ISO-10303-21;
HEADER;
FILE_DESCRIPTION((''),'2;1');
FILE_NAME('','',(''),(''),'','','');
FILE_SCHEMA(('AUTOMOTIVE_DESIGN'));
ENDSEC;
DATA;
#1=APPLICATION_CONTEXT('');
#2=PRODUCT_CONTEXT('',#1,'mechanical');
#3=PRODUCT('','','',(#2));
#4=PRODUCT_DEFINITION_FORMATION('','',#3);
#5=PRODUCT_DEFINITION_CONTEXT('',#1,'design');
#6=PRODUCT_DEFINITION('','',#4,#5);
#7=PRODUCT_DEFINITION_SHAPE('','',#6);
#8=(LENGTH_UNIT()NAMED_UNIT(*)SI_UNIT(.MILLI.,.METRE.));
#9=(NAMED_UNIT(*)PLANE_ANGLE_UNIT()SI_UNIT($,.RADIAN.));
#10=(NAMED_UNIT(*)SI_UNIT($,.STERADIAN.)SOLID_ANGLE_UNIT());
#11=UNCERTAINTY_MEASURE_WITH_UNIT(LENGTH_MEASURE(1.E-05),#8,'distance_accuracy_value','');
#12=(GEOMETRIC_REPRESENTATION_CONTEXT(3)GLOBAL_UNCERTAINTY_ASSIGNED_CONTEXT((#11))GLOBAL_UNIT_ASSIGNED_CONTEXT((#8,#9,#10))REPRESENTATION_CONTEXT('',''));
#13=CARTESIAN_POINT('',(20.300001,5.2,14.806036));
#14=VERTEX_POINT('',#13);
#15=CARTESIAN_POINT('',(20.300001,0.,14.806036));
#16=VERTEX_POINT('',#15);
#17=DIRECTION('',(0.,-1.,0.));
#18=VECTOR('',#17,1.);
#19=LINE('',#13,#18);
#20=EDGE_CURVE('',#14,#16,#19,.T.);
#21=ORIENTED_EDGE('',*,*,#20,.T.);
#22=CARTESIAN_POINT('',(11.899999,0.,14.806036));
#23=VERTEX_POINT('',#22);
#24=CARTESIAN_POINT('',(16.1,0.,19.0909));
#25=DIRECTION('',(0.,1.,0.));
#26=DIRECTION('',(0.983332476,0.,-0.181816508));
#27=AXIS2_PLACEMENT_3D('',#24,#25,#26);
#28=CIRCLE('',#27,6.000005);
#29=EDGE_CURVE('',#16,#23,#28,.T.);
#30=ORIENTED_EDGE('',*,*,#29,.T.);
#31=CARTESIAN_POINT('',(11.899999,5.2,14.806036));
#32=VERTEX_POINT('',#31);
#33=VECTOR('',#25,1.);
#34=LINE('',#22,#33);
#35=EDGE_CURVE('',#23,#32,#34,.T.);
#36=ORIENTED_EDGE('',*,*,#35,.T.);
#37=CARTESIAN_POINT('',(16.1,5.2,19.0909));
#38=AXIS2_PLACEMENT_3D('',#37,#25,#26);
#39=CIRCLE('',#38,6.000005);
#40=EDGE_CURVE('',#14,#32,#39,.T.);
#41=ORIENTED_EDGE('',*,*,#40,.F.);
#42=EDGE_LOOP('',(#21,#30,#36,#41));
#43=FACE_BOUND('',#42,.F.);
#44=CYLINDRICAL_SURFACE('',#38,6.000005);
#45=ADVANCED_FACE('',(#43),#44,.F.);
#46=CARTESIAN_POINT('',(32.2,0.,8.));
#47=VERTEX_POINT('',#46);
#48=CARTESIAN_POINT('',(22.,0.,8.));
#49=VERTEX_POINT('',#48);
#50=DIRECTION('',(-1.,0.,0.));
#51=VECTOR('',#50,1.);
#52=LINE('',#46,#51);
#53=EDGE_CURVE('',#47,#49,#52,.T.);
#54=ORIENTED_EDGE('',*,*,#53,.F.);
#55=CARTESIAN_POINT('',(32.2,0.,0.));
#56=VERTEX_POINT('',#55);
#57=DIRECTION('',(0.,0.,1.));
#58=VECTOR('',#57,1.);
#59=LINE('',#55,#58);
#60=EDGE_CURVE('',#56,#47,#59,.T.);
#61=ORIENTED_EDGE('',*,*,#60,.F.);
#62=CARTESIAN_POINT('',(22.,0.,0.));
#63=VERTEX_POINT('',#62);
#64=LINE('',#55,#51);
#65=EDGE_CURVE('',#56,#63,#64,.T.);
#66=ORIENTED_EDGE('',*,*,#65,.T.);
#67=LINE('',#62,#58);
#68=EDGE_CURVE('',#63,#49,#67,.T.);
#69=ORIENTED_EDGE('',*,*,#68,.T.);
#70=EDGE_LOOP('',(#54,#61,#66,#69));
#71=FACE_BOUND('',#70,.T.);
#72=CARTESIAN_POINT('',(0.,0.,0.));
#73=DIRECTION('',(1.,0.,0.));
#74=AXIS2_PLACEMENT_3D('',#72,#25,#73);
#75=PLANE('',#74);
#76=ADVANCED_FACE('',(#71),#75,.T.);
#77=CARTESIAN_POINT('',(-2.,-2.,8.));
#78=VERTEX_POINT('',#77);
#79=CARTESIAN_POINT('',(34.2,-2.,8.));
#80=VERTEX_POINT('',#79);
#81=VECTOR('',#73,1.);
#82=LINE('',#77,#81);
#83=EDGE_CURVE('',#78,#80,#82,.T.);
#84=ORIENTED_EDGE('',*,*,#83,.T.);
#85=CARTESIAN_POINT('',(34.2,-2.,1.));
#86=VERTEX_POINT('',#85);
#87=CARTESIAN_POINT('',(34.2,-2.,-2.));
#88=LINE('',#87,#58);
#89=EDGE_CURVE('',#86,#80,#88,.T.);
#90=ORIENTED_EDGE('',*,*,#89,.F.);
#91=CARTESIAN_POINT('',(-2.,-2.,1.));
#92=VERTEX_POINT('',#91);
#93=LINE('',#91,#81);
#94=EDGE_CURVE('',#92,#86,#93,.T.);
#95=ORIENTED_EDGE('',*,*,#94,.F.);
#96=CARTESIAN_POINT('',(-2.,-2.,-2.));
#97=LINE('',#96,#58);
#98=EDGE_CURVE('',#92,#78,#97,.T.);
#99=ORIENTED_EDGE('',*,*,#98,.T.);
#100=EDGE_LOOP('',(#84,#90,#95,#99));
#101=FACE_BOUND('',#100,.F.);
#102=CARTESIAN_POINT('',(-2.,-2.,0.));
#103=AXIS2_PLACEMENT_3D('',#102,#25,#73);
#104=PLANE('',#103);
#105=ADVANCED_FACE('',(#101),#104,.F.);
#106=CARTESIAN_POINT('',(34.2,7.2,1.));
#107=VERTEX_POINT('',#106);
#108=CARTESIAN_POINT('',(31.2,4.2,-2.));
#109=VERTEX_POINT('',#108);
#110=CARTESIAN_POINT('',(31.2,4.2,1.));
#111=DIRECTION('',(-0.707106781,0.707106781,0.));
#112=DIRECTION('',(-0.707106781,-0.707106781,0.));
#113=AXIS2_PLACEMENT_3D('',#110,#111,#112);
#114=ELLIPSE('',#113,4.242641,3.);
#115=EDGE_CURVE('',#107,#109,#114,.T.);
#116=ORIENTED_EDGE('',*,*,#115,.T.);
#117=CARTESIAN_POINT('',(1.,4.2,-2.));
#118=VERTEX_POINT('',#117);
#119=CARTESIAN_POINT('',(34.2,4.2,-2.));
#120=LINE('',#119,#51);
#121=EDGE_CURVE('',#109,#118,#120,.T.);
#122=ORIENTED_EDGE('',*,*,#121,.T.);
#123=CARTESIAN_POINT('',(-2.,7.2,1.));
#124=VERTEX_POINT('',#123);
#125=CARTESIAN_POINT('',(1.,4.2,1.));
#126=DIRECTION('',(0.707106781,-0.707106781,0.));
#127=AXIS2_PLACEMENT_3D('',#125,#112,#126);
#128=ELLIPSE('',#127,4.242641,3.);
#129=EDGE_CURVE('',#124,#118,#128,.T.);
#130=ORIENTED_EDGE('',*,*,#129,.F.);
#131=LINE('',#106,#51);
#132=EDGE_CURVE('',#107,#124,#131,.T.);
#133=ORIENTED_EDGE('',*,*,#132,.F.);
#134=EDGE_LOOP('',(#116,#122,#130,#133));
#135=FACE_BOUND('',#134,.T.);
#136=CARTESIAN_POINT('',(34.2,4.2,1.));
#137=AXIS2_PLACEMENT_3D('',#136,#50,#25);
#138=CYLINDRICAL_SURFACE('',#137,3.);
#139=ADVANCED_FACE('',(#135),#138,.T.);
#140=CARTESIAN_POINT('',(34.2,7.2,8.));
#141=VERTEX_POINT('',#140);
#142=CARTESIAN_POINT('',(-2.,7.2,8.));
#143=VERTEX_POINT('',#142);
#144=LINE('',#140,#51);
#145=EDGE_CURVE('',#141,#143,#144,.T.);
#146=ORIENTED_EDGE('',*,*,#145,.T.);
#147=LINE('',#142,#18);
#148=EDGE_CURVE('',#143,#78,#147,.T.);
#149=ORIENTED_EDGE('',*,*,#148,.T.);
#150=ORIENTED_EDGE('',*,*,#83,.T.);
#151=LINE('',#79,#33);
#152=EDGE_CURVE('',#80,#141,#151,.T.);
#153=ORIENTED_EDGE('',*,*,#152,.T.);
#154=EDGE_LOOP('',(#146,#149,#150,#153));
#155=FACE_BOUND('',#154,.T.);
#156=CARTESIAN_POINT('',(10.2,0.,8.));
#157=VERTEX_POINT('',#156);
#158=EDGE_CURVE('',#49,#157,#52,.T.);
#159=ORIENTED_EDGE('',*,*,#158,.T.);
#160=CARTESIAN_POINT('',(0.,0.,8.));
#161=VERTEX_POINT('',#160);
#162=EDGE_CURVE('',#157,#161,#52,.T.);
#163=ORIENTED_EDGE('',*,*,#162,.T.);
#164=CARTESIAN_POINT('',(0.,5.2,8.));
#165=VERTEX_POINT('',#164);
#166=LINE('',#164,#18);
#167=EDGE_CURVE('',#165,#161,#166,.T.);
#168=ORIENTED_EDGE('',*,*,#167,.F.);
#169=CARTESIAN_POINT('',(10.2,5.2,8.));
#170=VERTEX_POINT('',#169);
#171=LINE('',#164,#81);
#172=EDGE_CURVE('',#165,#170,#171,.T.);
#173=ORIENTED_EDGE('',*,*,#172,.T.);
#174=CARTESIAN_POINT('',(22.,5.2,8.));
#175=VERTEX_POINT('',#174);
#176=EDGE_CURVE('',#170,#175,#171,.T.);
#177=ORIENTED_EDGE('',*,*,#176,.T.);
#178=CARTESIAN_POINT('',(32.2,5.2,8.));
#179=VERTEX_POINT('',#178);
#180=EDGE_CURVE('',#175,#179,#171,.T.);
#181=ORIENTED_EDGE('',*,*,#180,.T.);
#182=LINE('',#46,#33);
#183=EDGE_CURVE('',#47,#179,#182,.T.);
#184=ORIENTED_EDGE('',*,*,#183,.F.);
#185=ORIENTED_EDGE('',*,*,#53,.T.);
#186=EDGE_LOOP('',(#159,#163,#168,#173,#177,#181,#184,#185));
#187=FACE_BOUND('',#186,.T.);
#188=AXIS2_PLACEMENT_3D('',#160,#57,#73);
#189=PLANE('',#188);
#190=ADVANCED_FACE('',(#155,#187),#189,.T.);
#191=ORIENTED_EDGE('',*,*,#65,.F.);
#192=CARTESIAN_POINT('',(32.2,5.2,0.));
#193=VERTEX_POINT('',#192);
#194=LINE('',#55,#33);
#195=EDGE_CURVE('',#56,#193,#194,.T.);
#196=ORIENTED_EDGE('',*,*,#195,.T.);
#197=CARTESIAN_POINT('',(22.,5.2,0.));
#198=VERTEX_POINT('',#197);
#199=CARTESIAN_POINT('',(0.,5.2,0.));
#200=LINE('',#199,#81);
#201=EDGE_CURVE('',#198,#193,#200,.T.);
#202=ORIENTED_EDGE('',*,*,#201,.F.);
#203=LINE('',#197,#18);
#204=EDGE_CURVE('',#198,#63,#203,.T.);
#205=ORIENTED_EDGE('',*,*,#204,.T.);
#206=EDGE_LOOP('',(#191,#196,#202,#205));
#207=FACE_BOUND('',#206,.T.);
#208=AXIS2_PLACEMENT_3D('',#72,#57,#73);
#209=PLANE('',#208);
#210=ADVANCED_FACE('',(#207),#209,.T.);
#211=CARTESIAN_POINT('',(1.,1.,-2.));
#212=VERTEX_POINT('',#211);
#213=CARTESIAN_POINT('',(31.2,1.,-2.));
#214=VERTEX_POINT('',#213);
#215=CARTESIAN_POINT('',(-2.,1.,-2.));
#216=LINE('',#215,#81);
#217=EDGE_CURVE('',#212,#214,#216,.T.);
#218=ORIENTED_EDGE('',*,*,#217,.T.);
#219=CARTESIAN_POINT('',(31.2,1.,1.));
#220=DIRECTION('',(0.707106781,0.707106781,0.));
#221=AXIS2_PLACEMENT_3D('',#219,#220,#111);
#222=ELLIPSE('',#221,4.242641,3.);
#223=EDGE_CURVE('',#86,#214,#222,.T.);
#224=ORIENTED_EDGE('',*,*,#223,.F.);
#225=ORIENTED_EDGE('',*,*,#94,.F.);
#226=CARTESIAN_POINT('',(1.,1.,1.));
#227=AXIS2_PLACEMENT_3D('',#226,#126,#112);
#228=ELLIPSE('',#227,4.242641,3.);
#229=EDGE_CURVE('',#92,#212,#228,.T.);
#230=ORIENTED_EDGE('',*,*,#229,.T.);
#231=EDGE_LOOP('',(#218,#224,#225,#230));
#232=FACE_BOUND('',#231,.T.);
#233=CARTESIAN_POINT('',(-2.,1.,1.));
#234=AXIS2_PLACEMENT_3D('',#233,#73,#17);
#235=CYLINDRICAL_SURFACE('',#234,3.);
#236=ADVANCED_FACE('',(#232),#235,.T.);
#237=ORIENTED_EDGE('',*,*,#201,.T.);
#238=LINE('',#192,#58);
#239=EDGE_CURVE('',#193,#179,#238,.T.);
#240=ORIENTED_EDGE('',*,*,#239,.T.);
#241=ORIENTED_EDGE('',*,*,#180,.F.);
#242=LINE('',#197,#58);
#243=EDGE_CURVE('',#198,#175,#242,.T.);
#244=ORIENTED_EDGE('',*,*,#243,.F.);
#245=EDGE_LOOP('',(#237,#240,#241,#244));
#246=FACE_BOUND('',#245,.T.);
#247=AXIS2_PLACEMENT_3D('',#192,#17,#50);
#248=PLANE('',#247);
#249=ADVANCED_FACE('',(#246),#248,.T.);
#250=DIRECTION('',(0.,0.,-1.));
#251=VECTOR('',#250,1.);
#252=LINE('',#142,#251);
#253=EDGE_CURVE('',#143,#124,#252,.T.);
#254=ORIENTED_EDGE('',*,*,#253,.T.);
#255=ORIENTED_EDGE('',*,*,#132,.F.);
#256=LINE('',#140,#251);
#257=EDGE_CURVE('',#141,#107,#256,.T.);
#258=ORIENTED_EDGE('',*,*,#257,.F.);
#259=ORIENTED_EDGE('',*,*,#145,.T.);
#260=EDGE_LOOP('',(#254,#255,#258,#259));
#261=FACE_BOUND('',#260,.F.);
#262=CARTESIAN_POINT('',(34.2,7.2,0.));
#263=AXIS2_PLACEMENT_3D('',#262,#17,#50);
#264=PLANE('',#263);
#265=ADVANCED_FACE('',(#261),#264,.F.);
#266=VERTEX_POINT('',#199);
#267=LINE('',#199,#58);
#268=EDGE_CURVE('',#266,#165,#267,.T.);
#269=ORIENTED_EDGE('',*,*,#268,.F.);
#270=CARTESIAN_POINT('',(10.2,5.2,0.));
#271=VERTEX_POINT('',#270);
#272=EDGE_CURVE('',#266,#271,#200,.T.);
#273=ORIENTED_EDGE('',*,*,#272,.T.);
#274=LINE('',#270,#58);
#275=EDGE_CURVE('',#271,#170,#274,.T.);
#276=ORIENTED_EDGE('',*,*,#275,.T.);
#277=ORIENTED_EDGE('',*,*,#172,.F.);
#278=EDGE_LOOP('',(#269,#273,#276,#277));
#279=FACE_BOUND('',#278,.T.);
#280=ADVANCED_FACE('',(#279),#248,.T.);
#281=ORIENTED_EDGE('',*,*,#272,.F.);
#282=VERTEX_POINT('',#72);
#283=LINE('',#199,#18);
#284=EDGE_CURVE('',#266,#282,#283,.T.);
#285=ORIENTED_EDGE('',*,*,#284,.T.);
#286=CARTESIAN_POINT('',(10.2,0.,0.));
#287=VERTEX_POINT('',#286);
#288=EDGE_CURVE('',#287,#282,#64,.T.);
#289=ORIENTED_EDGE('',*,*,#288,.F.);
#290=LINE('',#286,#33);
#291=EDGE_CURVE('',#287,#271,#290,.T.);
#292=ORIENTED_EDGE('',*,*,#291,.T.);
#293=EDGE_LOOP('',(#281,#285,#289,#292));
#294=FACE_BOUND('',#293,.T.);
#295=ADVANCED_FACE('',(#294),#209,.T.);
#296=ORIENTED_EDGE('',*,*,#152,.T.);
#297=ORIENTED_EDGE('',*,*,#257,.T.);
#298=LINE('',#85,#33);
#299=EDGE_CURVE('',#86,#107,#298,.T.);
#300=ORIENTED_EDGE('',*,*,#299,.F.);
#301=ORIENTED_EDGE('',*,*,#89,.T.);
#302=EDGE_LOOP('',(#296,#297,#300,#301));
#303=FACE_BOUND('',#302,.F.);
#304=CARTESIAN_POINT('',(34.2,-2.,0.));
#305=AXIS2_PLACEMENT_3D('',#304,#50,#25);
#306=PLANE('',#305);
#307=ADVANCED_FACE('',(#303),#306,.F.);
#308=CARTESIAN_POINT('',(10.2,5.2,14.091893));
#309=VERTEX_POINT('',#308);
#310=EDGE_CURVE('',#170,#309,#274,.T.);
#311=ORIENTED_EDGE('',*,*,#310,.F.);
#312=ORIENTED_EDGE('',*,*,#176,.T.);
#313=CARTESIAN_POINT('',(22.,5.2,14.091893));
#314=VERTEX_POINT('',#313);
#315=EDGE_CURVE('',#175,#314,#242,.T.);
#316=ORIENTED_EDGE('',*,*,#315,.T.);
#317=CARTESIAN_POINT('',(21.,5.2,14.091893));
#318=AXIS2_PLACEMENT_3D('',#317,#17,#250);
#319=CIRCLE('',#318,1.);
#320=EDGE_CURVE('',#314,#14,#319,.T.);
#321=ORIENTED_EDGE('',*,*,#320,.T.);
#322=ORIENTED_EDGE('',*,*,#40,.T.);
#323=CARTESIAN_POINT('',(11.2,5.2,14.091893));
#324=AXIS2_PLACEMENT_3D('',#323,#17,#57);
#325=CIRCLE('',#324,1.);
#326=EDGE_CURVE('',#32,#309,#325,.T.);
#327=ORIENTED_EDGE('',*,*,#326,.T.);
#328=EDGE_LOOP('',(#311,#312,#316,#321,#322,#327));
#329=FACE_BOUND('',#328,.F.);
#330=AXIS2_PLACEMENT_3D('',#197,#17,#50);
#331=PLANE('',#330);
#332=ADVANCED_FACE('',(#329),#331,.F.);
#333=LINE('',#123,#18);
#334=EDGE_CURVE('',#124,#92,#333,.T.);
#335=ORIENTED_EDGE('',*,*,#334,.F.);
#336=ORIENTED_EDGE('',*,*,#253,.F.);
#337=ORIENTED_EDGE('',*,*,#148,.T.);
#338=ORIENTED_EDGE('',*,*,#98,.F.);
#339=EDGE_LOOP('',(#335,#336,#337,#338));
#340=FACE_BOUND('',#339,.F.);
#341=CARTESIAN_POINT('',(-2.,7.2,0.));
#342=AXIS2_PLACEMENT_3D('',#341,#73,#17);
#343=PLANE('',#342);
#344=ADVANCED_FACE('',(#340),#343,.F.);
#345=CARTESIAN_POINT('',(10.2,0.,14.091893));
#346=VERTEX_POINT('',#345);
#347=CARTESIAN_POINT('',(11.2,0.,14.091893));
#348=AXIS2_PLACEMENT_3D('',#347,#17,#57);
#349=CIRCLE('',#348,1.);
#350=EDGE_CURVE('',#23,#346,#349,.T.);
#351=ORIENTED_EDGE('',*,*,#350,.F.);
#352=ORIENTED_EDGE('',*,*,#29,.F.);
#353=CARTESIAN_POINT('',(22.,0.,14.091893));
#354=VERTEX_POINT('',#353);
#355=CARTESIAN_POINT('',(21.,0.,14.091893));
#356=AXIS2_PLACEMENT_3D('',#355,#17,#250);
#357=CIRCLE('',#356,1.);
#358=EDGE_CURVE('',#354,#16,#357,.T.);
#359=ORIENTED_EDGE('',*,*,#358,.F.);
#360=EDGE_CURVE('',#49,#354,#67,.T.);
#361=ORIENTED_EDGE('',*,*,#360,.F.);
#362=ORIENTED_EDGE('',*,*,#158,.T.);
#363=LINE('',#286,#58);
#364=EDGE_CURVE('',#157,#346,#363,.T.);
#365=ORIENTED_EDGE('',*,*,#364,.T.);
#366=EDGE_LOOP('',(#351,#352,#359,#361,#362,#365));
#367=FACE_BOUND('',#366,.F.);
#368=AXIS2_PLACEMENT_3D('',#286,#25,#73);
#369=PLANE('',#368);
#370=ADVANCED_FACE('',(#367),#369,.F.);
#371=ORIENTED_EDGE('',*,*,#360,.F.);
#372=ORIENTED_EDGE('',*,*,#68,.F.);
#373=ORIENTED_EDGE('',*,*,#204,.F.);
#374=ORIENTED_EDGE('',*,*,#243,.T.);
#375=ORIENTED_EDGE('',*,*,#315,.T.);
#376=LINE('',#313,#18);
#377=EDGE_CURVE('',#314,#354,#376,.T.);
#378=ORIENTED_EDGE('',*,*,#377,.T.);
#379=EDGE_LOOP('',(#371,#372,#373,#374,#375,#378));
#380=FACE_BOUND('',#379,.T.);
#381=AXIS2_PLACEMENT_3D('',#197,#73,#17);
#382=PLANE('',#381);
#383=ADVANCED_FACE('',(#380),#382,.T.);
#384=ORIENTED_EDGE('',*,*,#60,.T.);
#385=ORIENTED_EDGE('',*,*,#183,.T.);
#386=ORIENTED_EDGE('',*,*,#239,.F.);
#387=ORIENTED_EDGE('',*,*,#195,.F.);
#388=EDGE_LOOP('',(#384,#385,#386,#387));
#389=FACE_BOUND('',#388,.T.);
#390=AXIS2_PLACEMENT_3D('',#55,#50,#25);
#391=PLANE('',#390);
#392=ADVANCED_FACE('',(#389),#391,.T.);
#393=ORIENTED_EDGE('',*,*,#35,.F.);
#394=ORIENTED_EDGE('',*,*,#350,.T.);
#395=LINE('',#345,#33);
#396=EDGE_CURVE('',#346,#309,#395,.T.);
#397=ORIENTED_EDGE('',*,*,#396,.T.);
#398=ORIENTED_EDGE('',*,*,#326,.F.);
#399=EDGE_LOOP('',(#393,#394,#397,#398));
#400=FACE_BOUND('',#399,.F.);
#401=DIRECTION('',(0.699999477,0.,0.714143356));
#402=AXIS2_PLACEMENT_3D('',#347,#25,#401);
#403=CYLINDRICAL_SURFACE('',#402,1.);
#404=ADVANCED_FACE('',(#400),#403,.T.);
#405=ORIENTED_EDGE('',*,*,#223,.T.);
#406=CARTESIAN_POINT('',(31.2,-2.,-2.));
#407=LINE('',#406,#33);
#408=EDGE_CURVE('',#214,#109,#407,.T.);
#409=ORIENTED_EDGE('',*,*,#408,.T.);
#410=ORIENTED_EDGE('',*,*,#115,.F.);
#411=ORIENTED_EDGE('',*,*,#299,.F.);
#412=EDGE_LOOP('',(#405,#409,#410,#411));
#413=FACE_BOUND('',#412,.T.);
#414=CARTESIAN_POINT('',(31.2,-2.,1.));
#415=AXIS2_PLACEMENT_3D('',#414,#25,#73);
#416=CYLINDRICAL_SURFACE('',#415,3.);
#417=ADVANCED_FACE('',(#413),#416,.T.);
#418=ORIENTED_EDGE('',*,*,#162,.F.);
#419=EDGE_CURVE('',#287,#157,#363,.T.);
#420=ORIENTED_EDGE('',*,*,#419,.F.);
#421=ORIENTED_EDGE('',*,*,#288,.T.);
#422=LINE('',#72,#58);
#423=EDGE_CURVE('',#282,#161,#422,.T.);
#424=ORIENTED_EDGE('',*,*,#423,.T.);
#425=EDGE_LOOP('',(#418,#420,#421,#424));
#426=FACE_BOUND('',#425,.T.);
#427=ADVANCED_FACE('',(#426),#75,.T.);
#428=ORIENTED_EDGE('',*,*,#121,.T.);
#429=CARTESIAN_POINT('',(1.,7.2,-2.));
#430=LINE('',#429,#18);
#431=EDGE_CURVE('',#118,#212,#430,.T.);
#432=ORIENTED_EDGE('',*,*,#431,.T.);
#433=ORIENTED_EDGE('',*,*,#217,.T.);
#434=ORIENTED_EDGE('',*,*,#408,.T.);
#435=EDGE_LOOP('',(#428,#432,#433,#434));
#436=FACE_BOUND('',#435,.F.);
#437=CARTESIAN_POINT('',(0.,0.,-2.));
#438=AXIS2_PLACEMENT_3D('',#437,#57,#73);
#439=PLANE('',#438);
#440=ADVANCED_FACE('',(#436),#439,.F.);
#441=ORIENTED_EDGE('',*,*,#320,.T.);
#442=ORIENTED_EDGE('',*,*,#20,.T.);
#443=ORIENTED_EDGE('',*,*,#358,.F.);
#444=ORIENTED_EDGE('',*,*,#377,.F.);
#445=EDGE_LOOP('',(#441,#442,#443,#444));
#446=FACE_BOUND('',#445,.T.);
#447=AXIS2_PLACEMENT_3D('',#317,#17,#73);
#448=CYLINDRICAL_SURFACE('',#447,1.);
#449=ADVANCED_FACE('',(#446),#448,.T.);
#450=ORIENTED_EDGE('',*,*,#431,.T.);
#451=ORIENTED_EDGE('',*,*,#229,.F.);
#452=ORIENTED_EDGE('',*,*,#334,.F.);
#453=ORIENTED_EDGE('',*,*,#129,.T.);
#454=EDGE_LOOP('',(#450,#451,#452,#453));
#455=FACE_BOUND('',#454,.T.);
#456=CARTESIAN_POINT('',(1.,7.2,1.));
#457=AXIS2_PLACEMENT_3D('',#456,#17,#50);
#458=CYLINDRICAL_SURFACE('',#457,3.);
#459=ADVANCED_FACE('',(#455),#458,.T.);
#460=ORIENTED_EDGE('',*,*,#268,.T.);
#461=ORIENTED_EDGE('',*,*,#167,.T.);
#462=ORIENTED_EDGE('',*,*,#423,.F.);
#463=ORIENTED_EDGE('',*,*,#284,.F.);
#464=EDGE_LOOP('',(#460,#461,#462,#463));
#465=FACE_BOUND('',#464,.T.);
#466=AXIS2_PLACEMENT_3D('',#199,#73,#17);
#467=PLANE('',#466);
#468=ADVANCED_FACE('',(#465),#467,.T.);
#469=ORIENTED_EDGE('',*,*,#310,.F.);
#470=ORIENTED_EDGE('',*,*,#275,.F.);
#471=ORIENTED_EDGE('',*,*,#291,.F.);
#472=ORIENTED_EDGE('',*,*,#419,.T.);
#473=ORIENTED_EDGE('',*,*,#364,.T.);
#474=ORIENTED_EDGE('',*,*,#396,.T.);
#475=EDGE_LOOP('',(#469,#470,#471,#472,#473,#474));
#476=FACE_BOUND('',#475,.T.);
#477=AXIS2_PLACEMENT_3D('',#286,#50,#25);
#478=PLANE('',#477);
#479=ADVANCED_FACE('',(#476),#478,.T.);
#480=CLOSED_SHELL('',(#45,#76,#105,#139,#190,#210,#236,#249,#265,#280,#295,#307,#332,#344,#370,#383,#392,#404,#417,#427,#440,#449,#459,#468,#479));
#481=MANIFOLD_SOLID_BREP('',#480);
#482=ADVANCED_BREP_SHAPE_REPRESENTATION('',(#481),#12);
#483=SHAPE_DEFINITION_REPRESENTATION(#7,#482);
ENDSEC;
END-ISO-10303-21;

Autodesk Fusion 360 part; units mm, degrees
sketch "Sketch1" plane through (0, 0, 0) normal (0, 0, 1) x (1, 0, 0)
  line L0 (0, 0) -> (32.2, 0)
  line L1 (32.2, 0) -> (32.2, 5.2)
  line L2 (32.2, 5.2) -> (0, 5.2)
  line L3 (0, 5.2) -> (0, 0)
  line L4 (-2, -2) -> (34.2, -2)
  line L5 (34.2, -2) -> (34.2, 7.2)
  line L6 (34.2, 7.2) -> (-2, 7.2)
  line L7 (-2, 7.2) -> (-2, -2)
  line L8 (10.2, 5.2) -> (22, 5.2)
  line L9 (22, 5.2) -> (22, 0)
  line L10 (22, 0) -> (10.2, 0)
  line L11 (10.2, 0) -> (10.2, 5.2)
  dimension "d1" = 5.2
  dimension "d2" = 32.2
  dimension "d3" = 2
  dimension "d4" = 10.2
  dimension "d5" = 10.2
extrude "Extrude1" add sketch "Sketch1" along normal blind 8
extrude "Extrude2" add sketch "Sketch1" against normal blind 2 contours L0 L2 L3 L11 | L0 L2 L8 L9 L10 L11 | L0 L1 L2 L9 | L4 L5 L6 L7
extrude "Extrude3" add sketch "Sketch1" along normal blind 18 contours L0 L2 L8 L9 L10 L11
sketch "Sketch2" plane through (0, 5.2, 0) normal (0, 1, 0) x (-1, 0, 0)
  line L0 (-22, 8) -> (-10.2, 8)
  line L1 (-10.2, 8) -> (-10.2, 18)
  line L2 (-10.2, 18) -> (-22, 18)
  line L3 (-22, 18) -> (-22, 8)
  arc A0 (-22, 18) -> (-10.2, 18) centre (-16.1, 19.0909) ccw
  dimension "d19" = 6
extrude "Extrude4" cut sketch "Sketch2" against normal up to surface (5.2 mm away) contours L2 A0
fillet "Fillet1" radius 3 4 edges at (-2, 2.6, -2) (16.1, 7.2, -2) (34.2, 2.6, -2) (16.1, -2, -2)
fillet "Fillet3" radius 1 2 edges at (10.2, 2.6, 18) (22, 2.6, 18)
